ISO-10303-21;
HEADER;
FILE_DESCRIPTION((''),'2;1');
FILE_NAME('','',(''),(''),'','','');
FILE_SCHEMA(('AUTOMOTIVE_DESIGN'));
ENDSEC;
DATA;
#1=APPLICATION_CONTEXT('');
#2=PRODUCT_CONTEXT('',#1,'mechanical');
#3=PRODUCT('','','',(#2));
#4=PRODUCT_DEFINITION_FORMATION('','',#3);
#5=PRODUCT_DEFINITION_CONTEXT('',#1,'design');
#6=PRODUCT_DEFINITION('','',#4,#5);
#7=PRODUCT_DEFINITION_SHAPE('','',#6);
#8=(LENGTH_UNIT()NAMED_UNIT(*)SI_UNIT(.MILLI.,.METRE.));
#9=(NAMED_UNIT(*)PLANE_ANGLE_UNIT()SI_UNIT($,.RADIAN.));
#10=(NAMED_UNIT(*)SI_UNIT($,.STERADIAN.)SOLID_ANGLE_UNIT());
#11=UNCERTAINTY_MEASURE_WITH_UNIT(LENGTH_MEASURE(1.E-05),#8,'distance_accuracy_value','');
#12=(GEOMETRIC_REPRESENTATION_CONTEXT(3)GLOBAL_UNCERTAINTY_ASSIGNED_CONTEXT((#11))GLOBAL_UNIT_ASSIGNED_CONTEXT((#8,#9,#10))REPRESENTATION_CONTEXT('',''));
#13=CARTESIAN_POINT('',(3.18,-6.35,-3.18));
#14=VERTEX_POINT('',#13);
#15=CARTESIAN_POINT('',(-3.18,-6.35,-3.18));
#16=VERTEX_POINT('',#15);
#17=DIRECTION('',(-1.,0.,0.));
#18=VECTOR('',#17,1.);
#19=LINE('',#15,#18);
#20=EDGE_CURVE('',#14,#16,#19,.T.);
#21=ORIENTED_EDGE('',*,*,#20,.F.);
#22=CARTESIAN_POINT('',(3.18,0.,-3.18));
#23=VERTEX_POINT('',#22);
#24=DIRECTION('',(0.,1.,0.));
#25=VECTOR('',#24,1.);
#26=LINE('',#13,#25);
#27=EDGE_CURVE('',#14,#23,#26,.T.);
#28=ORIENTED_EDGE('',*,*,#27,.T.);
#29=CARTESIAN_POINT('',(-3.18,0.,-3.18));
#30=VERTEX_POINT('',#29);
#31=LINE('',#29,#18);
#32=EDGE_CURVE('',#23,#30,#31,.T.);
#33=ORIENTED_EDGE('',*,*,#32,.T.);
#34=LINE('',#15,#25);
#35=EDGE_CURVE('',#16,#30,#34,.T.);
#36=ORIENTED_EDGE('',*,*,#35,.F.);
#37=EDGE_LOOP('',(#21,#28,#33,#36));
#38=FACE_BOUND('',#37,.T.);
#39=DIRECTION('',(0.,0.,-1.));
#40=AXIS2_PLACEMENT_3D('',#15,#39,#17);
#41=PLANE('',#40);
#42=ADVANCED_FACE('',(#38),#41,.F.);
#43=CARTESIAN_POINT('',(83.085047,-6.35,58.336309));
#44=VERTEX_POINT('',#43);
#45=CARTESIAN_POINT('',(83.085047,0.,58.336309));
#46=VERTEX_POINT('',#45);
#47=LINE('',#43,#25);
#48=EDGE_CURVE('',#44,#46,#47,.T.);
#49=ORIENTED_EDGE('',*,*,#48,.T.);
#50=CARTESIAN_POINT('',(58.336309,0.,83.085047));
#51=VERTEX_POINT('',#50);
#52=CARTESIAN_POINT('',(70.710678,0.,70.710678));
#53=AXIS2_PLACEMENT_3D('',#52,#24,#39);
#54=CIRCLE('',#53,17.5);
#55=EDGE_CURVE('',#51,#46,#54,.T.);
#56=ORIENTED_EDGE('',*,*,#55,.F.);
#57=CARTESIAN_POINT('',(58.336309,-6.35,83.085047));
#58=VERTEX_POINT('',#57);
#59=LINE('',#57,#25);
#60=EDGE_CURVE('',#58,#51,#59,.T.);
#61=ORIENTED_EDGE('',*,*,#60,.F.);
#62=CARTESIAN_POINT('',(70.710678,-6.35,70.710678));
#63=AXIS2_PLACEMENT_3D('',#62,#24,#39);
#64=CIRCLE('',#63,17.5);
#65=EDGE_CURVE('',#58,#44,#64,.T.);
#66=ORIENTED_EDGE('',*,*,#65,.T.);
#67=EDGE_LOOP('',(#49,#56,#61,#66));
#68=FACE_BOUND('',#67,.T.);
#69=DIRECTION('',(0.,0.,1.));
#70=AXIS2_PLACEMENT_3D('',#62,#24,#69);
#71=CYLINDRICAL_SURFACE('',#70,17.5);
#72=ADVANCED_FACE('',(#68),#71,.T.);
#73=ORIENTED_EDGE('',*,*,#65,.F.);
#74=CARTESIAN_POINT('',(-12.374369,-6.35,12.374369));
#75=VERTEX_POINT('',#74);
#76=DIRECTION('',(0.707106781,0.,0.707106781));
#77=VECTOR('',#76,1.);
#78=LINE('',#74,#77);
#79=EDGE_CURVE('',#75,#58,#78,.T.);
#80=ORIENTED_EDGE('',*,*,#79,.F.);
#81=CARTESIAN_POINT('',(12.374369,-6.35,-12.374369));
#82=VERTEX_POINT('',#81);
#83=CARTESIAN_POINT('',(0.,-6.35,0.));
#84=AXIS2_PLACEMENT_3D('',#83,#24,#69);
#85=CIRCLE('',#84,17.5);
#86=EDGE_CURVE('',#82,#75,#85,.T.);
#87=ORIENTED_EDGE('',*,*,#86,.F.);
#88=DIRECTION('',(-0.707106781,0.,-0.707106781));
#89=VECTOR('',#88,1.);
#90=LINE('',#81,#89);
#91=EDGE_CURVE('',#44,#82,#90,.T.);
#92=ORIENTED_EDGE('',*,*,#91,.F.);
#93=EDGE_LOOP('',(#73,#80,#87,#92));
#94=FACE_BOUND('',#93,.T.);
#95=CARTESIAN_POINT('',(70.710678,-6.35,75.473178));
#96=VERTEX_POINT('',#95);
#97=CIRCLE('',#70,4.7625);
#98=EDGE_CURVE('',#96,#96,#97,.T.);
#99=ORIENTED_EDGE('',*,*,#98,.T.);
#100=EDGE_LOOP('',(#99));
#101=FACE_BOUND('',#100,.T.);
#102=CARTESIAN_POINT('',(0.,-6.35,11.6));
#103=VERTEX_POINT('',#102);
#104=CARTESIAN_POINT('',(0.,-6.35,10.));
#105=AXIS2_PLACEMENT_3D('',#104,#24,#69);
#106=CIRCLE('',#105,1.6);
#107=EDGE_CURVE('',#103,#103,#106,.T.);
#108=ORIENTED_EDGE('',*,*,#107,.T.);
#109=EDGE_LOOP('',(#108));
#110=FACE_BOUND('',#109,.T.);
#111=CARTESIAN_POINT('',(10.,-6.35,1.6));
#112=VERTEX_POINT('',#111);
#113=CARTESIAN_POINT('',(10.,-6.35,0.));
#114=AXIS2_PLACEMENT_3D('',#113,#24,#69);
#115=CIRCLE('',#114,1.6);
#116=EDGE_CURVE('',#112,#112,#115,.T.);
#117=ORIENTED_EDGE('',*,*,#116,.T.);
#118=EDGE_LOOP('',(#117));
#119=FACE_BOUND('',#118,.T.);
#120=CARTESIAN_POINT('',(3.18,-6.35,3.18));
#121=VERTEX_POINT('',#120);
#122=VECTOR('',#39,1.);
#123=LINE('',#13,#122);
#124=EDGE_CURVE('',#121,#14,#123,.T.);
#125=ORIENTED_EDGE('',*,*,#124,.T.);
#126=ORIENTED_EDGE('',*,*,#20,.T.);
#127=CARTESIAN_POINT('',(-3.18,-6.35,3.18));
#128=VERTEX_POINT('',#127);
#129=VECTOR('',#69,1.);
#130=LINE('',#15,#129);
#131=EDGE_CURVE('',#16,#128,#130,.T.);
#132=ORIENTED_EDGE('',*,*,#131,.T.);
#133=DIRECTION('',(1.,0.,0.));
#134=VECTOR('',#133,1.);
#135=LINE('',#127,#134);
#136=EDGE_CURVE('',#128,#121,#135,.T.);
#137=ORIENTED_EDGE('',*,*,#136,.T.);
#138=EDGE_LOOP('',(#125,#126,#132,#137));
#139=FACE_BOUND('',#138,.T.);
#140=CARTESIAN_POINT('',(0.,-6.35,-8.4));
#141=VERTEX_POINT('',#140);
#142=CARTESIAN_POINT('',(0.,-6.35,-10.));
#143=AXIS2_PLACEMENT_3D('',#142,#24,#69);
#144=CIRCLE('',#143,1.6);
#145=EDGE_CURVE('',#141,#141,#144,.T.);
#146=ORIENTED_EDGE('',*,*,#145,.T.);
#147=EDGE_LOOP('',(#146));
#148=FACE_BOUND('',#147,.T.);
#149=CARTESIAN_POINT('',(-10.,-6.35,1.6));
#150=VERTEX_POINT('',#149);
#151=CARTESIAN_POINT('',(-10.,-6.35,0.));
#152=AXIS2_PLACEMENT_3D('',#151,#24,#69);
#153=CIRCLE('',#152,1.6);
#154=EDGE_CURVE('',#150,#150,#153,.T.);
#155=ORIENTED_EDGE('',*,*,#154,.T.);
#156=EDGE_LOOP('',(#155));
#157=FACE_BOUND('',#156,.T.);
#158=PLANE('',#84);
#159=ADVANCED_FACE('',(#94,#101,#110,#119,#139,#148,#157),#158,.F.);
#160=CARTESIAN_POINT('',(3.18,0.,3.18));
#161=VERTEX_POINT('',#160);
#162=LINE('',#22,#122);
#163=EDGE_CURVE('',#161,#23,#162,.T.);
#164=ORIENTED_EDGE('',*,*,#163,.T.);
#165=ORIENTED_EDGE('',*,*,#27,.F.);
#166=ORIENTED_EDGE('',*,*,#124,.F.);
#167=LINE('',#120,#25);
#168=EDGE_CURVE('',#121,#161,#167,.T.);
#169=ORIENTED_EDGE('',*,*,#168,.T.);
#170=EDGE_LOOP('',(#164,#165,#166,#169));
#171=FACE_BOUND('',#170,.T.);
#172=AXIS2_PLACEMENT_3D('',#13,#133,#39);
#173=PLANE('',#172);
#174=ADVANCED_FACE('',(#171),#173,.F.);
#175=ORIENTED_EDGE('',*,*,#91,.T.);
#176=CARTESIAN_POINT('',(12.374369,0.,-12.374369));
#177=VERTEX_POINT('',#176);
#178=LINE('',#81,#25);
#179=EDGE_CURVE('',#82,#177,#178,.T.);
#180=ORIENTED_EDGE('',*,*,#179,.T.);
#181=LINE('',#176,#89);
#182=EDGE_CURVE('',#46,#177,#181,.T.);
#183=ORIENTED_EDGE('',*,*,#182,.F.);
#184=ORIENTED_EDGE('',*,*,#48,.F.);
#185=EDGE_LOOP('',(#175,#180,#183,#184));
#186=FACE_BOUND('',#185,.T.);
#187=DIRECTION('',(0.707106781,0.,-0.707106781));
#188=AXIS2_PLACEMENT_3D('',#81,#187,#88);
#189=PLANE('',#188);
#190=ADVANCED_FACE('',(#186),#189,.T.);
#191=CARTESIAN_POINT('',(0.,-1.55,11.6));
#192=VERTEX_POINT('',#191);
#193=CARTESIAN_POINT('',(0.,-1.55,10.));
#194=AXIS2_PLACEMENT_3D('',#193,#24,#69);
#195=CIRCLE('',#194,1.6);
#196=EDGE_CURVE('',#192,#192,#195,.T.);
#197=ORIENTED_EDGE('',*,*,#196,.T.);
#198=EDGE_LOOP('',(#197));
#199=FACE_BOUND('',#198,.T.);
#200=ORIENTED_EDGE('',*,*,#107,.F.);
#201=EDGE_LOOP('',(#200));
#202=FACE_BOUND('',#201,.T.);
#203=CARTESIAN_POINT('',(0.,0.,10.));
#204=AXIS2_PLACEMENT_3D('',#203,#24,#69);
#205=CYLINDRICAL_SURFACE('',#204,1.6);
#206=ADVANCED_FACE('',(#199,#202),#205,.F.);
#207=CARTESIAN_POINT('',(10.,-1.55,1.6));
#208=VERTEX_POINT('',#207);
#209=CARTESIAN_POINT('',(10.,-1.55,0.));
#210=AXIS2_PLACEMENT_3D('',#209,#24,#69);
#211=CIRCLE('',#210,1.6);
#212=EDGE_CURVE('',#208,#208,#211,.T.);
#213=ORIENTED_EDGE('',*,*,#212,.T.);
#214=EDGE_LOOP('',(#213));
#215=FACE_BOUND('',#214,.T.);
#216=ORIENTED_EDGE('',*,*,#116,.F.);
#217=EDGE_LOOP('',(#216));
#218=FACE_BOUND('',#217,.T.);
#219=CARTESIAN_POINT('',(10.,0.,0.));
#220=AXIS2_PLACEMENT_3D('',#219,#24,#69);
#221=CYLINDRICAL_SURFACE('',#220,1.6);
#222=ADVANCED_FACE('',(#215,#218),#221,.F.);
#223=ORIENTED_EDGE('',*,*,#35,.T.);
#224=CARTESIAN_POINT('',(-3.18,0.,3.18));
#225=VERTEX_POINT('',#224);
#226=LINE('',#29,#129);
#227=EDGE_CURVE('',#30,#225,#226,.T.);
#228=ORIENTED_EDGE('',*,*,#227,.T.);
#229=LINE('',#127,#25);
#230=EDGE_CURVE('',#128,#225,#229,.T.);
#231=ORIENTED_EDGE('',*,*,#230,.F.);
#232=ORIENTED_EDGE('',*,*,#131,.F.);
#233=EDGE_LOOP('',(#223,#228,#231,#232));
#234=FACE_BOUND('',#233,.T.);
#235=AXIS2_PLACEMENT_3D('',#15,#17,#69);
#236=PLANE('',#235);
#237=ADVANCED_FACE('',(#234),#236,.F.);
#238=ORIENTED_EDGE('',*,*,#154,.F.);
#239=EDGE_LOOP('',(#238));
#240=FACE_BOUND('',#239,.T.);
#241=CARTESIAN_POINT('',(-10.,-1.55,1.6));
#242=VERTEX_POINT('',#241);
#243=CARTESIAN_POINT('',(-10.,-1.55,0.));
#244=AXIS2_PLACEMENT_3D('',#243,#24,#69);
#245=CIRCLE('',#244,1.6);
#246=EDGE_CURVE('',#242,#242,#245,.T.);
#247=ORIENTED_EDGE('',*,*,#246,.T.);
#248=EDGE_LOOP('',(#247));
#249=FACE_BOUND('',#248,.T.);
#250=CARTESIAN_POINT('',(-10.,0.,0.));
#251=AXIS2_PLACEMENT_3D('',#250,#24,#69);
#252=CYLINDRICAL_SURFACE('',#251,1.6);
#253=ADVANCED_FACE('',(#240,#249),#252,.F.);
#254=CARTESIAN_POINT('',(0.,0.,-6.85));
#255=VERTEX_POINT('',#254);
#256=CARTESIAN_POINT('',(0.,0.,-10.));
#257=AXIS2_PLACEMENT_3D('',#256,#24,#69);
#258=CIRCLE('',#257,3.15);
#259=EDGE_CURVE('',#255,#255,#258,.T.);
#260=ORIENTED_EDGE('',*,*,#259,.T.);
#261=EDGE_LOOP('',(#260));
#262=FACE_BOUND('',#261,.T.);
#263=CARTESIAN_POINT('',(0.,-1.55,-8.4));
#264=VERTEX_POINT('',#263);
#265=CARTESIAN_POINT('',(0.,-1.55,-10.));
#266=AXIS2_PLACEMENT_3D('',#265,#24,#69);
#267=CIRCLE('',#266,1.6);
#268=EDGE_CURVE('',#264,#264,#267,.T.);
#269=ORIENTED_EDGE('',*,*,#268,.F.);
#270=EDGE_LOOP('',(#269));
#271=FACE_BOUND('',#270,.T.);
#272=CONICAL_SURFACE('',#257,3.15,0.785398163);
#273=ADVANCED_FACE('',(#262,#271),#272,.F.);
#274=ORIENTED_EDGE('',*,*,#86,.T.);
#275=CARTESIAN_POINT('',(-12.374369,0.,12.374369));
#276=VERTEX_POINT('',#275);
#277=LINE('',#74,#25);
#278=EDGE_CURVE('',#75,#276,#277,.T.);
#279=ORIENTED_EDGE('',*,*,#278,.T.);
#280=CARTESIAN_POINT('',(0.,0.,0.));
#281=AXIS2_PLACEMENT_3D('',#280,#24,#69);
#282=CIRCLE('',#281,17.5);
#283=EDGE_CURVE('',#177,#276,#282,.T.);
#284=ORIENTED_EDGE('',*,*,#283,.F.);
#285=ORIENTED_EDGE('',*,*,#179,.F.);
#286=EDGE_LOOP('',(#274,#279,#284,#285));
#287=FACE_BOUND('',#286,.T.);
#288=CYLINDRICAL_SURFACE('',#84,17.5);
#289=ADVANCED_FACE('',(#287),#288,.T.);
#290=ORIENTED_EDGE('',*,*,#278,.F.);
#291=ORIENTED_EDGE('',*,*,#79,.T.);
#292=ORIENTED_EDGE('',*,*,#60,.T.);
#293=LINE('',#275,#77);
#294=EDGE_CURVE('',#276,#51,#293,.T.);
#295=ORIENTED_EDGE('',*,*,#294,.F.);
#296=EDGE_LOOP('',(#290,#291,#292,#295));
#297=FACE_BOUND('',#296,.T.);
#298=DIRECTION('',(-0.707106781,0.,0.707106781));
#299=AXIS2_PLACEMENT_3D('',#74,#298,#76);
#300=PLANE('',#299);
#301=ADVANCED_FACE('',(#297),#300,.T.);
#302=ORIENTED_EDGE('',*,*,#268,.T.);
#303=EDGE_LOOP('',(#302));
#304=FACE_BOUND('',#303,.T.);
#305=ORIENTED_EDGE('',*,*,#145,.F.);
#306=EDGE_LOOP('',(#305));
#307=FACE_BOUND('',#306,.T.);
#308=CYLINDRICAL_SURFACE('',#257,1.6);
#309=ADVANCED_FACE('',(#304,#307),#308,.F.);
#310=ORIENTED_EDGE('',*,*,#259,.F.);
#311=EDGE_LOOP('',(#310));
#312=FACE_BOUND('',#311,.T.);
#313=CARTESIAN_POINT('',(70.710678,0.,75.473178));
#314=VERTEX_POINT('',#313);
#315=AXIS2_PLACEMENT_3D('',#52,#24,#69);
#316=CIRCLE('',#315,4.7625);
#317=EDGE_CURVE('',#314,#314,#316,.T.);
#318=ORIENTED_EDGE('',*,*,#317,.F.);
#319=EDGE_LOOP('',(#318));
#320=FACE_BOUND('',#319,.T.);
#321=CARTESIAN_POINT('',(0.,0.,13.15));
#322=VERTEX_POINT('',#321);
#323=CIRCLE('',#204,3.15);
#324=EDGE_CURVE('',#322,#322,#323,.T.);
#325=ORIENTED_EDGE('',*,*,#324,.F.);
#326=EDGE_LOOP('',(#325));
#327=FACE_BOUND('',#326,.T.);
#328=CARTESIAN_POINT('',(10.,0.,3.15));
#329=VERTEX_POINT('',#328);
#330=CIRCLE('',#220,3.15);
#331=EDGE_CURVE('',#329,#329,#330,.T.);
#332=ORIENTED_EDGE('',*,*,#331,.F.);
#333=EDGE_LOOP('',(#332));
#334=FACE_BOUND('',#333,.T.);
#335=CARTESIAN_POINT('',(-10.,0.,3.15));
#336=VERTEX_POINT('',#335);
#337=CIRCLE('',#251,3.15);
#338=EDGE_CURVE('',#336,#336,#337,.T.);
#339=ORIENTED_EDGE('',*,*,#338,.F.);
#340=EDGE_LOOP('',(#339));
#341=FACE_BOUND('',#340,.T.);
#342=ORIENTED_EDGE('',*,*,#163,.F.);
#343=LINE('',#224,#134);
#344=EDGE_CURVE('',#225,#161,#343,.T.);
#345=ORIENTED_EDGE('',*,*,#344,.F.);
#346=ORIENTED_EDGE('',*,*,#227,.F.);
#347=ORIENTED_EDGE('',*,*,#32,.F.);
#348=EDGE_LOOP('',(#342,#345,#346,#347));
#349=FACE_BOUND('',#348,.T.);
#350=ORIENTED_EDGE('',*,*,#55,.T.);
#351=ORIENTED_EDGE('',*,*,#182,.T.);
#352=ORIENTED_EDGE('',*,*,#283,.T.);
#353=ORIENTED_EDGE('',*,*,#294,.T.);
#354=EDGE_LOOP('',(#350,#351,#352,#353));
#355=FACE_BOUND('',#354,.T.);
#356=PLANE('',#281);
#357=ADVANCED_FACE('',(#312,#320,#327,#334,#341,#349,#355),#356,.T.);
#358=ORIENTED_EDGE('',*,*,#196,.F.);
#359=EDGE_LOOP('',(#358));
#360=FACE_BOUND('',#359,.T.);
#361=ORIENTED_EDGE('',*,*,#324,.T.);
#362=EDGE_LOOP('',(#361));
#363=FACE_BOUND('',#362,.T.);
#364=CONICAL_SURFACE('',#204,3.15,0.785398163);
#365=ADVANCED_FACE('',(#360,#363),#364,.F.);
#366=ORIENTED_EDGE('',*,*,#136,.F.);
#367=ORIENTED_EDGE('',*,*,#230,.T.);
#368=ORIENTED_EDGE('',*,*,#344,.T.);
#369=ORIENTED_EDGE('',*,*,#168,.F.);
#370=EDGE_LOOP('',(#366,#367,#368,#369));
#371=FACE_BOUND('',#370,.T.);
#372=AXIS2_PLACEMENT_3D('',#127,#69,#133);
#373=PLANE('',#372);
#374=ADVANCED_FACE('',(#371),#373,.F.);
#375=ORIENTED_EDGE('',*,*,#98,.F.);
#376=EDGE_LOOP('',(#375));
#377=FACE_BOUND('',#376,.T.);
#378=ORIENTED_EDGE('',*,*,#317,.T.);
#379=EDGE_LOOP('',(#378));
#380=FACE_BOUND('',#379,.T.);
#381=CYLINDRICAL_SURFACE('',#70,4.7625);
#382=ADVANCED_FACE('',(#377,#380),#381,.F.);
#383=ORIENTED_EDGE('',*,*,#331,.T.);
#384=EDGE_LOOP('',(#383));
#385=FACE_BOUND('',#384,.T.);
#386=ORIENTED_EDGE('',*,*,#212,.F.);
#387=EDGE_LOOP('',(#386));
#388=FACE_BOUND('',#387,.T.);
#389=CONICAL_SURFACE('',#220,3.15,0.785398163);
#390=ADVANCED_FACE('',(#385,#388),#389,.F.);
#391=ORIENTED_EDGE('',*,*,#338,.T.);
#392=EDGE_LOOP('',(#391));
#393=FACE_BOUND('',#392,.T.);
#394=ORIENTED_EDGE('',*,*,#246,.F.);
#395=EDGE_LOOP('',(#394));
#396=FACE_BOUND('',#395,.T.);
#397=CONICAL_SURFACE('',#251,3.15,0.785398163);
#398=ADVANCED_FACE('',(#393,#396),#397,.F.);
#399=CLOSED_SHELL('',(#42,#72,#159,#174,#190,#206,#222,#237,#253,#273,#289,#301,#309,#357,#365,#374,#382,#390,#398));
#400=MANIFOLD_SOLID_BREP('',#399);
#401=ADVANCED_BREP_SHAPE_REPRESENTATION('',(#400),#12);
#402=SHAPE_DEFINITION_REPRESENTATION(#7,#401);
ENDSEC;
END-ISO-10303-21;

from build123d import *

# Parameters (mm, degrees)
SKETCH2_R                                       = 4.7625
SKETCH2_W                                       = 6.36
SKETCH2_H                                       = 6.36
BOSS_EXTRUDE1_DEPTH                             = 6.35
CSK_FOR_M3_FLAT_HEAD_MACHINE_SCREW1_D           = 3.2
CSK_FOR_M3_FLAT_HEAD_MACHINE_SCREW1_CSINK_D     = 6.3
CSK_FOR_M3_FLAT_HEAD_MACHINE_SCREW1_CSINK_ANGLE = 90


with BuildPart() as part:
    # Sketch2 → Boss-Extrude1 (new body)
    with BuildSketch(Plane(origin=(0, 0, 0), x_dir=(1, 0, 0), z_dir=(0, 1, 0))):
        with BuildLine():
            Line((12.374368671, 12.374368671), (83.085046789, -58.336309448))
            ThreePointArc((83.085046789, -58.336309448), (83.085046789, -83.085046789), (58.336309448, -83.085046789))
            Line((58.336309448, -83.085046789), (-12.374368671, -12.374368671))
            ThreePointArc((-12.374368671, -12.374368671), (-12.374368671, 12.374368671), (12.374368671, 12.374368671))
        make_face()
        with Locations(Location((70.710678119, -70.710678119, 0), (0, 0, 270))):
            Circle(SKETCH2_R, mode=Mode.SUBTRACT)
        Rectangle(SKETCH2_W, SKETCH2_H, mode=Mode.SUBTRACT)
    extrude(amount=-BOSS_EXTRUDE1_DEPTH)

    # CSK for M3 Flat Head Machine Screw1 (through all)
    with Locations(Plane(origin=(0, 0, -10), x_dir=(0, 0, 1), z_dir=(0, 1, 0))):
        with Locations((0, 0), (10, -10), (10, 10), (20, 0)):
            CounterSinkHole(CSK_FOR_M3_FLAT_HEAD_MACHINE_SCREW1_D / 2, CSK_FOR_M3_FLAT_HEAD_MACHINE_SCREW1_CSINK_D / 2, counter_sink_angle=CSK_FOR_M3_FLAT_HEAD_MACHINE_SCREW1_CSINK_ANGLE)


solid = part.part
